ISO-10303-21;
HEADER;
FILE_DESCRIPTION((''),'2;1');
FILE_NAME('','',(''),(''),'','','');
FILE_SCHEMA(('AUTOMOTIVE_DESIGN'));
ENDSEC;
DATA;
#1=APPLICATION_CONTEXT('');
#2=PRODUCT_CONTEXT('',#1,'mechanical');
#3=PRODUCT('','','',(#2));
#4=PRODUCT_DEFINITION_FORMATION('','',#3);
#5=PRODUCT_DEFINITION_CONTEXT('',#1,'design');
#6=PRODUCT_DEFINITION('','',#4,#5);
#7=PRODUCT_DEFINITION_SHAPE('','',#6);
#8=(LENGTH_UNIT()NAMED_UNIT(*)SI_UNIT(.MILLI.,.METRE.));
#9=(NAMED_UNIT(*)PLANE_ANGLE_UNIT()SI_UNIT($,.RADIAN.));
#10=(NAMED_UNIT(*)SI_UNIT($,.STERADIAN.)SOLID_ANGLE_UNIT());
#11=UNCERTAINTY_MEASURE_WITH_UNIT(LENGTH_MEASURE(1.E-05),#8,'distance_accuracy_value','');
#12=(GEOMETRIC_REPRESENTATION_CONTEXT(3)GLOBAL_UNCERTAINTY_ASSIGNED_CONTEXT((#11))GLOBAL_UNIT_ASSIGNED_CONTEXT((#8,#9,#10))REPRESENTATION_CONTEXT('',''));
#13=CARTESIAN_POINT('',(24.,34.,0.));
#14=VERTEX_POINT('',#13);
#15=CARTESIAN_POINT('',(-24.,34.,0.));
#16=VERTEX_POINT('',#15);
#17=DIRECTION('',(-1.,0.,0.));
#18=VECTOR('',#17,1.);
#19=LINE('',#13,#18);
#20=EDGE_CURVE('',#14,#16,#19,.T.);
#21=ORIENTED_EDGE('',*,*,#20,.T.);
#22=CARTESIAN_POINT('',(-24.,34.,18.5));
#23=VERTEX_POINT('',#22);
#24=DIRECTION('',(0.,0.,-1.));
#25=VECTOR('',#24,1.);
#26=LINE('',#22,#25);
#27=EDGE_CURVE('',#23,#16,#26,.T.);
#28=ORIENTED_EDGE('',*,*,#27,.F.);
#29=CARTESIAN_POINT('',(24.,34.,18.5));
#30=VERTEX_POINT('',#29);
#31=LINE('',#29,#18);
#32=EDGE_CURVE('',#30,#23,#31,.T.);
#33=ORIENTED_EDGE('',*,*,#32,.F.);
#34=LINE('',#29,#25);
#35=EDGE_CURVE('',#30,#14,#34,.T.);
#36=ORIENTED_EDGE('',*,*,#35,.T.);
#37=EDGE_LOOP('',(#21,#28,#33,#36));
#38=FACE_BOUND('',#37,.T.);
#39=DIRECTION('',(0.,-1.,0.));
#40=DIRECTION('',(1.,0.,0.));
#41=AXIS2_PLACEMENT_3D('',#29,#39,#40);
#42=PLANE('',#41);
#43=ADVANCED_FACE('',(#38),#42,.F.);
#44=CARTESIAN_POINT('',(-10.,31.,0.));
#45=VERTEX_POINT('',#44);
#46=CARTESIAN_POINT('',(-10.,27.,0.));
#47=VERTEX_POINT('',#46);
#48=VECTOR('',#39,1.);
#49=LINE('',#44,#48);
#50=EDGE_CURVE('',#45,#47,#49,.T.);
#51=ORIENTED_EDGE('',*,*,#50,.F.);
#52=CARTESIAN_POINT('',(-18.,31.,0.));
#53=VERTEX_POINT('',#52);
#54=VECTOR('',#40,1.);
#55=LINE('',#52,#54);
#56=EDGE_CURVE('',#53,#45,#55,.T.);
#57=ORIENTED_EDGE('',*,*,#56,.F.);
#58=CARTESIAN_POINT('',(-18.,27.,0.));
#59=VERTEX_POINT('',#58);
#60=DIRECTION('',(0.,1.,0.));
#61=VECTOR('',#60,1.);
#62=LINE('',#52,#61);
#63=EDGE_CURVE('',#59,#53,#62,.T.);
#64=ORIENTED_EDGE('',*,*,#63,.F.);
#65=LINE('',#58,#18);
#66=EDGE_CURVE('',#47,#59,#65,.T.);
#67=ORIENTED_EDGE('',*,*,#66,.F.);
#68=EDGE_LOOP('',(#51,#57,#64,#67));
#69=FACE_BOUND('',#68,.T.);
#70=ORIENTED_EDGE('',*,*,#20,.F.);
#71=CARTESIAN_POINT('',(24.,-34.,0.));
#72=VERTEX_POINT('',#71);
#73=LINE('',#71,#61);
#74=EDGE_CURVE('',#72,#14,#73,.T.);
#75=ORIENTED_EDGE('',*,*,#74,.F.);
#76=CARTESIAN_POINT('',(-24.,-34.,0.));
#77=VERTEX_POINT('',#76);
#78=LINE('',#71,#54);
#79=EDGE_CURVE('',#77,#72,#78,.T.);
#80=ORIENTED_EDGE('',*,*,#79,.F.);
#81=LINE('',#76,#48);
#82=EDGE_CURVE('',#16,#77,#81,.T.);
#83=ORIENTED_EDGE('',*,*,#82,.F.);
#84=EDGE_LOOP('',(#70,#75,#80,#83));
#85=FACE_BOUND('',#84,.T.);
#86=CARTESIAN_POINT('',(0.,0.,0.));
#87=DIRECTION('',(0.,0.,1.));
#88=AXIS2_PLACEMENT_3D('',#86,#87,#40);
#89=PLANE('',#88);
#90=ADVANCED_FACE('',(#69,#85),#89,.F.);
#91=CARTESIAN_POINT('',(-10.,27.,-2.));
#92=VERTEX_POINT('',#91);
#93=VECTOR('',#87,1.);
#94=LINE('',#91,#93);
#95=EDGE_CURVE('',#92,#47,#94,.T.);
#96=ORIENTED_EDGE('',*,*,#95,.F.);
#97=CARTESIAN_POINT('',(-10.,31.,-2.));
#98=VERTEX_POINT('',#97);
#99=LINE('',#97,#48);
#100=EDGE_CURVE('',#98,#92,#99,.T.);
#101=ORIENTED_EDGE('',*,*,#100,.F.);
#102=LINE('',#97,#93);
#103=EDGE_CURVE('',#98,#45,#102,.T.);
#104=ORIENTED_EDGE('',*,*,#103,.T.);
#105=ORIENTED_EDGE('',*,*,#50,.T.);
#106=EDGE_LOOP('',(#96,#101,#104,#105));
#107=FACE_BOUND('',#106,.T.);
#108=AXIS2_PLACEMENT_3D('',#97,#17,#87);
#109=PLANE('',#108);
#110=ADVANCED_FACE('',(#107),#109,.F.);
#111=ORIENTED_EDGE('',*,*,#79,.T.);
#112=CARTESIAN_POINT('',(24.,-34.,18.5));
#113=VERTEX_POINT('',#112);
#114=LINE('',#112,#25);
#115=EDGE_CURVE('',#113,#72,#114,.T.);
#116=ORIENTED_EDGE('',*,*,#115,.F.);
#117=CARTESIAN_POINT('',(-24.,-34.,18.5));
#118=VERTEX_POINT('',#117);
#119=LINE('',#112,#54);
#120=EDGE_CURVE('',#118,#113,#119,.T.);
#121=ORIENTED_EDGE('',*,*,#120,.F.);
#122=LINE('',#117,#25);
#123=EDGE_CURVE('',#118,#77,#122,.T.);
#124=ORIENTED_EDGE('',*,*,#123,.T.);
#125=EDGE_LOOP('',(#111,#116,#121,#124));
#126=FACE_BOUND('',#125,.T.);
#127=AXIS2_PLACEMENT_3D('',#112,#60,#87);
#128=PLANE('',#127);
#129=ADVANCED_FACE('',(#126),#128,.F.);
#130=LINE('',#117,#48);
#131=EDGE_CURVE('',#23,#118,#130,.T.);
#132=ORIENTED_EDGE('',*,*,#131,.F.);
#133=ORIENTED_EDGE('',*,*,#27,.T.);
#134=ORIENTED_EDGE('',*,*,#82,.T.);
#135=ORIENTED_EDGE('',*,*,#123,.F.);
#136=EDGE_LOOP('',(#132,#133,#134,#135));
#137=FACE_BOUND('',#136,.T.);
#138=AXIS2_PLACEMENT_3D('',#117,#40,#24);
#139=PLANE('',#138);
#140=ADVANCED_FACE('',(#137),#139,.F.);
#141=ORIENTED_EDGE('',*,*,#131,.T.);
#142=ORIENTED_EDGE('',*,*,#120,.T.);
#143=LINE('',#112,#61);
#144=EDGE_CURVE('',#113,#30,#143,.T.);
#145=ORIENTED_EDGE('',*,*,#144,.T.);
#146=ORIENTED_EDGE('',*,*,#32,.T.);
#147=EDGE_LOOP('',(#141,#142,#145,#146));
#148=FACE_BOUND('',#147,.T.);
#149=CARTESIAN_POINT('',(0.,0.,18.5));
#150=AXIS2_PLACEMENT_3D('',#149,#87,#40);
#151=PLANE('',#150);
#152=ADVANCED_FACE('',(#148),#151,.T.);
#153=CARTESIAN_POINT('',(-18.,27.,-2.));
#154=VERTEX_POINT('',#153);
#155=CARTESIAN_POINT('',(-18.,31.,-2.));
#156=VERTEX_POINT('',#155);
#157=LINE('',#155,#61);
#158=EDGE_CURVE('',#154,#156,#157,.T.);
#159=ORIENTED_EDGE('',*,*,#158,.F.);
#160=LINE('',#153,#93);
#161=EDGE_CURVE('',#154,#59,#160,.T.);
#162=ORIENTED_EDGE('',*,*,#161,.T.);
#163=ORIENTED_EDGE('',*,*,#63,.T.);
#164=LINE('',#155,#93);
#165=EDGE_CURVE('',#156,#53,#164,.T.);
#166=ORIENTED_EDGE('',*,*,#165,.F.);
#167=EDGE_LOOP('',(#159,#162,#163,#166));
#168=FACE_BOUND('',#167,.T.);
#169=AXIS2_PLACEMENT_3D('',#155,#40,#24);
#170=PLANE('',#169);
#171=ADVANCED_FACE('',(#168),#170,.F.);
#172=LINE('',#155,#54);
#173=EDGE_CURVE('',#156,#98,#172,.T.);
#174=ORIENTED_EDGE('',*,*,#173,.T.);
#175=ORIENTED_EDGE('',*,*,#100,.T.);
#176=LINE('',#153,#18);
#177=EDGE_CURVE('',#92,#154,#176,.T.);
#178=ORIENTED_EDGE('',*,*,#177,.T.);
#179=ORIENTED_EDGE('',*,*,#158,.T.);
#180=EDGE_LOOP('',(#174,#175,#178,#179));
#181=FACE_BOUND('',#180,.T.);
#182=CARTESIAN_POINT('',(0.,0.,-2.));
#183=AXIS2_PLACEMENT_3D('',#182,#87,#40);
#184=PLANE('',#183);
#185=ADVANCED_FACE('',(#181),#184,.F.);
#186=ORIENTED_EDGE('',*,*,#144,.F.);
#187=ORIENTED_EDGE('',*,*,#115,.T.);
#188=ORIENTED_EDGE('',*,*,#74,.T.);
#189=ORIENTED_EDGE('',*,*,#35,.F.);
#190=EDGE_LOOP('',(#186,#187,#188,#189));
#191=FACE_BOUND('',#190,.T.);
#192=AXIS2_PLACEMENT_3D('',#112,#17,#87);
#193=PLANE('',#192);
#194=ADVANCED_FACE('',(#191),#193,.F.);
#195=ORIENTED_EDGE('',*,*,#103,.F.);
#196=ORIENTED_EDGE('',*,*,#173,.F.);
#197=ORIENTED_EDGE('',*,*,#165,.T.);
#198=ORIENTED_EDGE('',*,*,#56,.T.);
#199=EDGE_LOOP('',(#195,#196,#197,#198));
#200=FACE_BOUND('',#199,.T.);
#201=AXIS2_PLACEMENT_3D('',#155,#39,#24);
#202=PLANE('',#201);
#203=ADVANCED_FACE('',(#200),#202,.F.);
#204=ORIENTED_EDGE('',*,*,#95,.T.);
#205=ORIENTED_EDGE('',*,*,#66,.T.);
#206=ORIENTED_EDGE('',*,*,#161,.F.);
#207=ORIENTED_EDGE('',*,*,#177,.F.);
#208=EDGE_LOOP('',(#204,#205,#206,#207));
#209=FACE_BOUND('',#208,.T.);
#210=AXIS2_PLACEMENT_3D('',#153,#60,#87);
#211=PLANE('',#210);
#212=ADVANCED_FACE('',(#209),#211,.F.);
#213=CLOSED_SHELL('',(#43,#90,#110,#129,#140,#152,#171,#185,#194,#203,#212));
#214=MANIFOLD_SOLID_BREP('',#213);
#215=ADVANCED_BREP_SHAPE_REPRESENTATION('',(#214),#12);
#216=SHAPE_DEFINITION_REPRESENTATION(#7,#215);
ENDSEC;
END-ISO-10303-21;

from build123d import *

# Parameters (mm, degrees)
ESQUISSE1_W        = 48
ESQUISSE1_H        = 68
BOSS_EXTRU_1_DEPTH = 18.5
ESQUISSE2_W        = 8
ESQUISSE2_H        = 4
BOSS_EXTRU_2_DEPTH = 2


with BuildPart() as part:
    # Esquisse1 → Boss.-Extru.1 (new body)
    with BuildSketch(Plane.XY):
        Rectangle(ESQUISSE1_W, ESQUISSE1_H)
    extrude(amount=BOSS_EXTRU_1_DEPTH)

    # Esquisse2 → Boss.-Extru.2 (add)
    with BuildSketch(Plane(origin=(0, 0, 0), x_dir=(-1, 0, 0), z_dir=(0, 0, -1))):
        with Locations((14, 29)):
            Rectangle(ESQUISSE2_W, ESQUISSE2_H)
    extrude(amount=BOSS_EXTRU_2_DEPTH)


solid = part.part
